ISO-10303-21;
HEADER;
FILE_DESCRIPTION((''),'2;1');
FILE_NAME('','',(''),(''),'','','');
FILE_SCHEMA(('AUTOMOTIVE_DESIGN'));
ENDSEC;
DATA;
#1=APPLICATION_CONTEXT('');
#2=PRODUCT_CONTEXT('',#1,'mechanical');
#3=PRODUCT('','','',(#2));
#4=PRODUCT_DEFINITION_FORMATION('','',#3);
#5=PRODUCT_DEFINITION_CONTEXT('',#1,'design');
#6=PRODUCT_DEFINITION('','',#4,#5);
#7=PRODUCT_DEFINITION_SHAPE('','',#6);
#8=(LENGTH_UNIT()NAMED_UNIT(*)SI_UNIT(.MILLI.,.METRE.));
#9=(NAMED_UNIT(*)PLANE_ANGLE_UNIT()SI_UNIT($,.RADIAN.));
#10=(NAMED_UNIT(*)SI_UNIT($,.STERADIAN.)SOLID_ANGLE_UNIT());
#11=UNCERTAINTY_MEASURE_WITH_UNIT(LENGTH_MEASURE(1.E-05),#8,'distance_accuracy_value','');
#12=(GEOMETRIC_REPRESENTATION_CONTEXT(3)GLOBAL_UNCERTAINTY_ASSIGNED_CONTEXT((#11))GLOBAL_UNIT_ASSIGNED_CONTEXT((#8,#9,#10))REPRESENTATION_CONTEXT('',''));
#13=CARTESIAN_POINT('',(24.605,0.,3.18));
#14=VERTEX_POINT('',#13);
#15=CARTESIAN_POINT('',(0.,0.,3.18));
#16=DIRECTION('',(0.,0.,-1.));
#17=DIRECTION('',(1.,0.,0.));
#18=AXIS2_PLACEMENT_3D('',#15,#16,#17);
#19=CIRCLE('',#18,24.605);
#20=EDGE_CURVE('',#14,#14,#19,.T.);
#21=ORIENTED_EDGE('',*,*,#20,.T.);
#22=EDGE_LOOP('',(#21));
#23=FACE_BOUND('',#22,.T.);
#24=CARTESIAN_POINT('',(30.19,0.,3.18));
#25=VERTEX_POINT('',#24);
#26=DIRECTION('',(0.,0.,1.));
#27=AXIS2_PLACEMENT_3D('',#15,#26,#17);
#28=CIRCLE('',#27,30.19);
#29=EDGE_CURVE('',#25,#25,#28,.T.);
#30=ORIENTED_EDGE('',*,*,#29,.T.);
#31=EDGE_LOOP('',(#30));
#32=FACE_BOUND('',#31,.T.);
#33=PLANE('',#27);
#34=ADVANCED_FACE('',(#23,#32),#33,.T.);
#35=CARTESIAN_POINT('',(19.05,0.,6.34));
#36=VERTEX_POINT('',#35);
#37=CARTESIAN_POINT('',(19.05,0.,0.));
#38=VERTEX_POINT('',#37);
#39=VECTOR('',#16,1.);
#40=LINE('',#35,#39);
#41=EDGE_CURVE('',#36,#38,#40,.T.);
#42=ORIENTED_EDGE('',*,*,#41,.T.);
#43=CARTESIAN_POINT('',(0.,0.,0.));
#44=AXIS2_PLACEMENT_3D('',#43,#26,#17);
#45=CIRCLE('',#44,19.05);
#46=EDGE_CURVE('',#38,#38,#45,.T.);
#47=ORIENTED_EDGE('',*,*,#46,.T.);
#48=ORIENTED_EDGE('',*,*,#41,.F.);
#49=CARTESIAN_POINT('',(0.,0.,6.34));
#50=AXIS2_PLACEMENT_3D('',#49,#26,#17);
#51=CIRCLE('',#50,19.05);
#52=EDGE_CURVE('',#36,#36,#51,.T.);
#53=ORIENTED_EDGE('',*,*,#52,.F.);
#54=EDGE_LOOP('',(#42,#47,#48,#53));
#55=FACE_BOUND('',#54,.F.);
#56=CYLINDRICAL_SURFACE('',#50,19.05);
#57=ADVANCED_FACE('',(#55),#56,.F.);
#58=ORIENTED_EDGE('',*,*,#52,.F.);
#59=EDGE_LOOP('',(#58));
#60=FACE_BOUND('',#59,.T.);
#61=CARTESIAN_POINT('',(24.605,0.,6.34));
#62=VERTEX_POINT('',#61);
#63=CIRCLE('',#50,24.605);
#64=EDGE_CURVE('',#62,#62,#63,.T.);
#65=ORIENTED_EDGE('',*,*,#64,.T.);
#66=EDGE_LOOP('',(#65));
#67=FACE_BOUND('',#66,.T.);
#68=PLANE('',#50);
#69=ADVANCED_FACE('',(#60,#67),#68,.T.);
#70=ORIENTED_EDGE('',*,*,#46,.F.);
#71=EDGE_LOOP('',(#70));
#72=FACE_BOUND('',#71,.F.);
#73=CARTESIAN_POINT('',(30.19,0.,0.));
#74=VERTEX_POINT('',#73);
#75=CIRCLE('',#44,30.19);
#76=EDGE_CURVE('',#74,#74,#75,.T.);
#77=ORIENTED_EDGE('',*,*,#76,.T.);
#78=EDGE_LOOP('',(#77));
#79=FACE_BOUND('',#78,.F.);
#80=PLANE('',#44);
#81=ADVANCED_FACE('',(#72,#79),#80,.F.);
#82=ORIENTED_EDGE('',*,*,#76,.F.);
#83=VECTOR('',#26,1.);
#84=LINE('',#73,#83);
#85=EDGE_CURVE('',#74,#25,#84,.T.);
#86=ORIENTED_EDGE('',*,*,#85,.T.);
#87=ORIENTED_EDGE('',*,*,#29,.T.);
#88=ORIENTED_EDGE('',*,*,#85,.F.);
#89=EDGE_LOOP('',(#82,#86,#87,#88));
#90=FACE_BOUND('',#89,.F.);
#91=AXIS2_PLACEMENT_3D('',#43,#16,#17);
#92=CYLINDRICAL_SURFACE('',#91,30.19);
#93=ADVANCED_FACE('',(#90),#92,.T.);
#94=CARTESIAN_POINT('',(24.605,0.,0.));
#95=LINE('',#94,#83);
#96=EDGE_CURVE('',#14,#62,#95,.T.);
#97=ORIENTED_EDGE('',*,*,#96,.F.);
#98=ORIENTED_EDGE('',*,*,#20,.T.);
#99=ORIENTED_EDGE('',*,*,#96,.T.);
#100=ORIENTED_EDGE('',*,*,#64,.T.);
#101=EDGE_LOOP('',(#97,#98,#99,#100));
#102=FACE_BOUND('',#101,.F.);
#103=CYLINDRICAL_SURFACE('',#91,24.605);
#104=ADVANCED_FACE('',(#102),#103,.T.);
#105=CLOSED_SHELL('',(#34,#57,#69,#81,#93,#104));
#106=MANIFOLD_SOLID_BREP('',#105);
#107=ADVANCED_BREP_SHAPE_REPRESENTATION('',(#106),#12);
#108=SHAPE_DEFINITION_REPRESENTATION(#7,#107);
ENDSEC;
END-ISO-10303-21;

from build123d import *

# Parameters (mm, degrees)
SKETCH_R     = 30.19
PAD_DEPTH    = 3.18
SKETCH001_R  = 24.605
PAD001_DEPTH = 6.34
SKETCH002_R  = 19.05
POCKET_DEPTH = 6.341


with BuildPart() as part:
    # Sketch → Pad (new body)
    with BuildSketch(Plane.XY):
        Circle(SKETCH_R)
    extrude(amount=PAD_DEPTH)

    # Sketch001 → Pad001 (join)
    with BuildSketch(Plane.XY):
        Circle(SKETCH001_R)
    extrude(amount=PAD001_DEPTH)

    # Sketch002 (on Face6 of Pad001) → Pocket (cut, through all)
    with BuildSketch(Plane.XY.offset(6.34)):
        Circle(SKETCH002_R)
    extrude(amount=-POCKET_DEPTH, mode=Mode.SUBTRACT)


solid = part.part
